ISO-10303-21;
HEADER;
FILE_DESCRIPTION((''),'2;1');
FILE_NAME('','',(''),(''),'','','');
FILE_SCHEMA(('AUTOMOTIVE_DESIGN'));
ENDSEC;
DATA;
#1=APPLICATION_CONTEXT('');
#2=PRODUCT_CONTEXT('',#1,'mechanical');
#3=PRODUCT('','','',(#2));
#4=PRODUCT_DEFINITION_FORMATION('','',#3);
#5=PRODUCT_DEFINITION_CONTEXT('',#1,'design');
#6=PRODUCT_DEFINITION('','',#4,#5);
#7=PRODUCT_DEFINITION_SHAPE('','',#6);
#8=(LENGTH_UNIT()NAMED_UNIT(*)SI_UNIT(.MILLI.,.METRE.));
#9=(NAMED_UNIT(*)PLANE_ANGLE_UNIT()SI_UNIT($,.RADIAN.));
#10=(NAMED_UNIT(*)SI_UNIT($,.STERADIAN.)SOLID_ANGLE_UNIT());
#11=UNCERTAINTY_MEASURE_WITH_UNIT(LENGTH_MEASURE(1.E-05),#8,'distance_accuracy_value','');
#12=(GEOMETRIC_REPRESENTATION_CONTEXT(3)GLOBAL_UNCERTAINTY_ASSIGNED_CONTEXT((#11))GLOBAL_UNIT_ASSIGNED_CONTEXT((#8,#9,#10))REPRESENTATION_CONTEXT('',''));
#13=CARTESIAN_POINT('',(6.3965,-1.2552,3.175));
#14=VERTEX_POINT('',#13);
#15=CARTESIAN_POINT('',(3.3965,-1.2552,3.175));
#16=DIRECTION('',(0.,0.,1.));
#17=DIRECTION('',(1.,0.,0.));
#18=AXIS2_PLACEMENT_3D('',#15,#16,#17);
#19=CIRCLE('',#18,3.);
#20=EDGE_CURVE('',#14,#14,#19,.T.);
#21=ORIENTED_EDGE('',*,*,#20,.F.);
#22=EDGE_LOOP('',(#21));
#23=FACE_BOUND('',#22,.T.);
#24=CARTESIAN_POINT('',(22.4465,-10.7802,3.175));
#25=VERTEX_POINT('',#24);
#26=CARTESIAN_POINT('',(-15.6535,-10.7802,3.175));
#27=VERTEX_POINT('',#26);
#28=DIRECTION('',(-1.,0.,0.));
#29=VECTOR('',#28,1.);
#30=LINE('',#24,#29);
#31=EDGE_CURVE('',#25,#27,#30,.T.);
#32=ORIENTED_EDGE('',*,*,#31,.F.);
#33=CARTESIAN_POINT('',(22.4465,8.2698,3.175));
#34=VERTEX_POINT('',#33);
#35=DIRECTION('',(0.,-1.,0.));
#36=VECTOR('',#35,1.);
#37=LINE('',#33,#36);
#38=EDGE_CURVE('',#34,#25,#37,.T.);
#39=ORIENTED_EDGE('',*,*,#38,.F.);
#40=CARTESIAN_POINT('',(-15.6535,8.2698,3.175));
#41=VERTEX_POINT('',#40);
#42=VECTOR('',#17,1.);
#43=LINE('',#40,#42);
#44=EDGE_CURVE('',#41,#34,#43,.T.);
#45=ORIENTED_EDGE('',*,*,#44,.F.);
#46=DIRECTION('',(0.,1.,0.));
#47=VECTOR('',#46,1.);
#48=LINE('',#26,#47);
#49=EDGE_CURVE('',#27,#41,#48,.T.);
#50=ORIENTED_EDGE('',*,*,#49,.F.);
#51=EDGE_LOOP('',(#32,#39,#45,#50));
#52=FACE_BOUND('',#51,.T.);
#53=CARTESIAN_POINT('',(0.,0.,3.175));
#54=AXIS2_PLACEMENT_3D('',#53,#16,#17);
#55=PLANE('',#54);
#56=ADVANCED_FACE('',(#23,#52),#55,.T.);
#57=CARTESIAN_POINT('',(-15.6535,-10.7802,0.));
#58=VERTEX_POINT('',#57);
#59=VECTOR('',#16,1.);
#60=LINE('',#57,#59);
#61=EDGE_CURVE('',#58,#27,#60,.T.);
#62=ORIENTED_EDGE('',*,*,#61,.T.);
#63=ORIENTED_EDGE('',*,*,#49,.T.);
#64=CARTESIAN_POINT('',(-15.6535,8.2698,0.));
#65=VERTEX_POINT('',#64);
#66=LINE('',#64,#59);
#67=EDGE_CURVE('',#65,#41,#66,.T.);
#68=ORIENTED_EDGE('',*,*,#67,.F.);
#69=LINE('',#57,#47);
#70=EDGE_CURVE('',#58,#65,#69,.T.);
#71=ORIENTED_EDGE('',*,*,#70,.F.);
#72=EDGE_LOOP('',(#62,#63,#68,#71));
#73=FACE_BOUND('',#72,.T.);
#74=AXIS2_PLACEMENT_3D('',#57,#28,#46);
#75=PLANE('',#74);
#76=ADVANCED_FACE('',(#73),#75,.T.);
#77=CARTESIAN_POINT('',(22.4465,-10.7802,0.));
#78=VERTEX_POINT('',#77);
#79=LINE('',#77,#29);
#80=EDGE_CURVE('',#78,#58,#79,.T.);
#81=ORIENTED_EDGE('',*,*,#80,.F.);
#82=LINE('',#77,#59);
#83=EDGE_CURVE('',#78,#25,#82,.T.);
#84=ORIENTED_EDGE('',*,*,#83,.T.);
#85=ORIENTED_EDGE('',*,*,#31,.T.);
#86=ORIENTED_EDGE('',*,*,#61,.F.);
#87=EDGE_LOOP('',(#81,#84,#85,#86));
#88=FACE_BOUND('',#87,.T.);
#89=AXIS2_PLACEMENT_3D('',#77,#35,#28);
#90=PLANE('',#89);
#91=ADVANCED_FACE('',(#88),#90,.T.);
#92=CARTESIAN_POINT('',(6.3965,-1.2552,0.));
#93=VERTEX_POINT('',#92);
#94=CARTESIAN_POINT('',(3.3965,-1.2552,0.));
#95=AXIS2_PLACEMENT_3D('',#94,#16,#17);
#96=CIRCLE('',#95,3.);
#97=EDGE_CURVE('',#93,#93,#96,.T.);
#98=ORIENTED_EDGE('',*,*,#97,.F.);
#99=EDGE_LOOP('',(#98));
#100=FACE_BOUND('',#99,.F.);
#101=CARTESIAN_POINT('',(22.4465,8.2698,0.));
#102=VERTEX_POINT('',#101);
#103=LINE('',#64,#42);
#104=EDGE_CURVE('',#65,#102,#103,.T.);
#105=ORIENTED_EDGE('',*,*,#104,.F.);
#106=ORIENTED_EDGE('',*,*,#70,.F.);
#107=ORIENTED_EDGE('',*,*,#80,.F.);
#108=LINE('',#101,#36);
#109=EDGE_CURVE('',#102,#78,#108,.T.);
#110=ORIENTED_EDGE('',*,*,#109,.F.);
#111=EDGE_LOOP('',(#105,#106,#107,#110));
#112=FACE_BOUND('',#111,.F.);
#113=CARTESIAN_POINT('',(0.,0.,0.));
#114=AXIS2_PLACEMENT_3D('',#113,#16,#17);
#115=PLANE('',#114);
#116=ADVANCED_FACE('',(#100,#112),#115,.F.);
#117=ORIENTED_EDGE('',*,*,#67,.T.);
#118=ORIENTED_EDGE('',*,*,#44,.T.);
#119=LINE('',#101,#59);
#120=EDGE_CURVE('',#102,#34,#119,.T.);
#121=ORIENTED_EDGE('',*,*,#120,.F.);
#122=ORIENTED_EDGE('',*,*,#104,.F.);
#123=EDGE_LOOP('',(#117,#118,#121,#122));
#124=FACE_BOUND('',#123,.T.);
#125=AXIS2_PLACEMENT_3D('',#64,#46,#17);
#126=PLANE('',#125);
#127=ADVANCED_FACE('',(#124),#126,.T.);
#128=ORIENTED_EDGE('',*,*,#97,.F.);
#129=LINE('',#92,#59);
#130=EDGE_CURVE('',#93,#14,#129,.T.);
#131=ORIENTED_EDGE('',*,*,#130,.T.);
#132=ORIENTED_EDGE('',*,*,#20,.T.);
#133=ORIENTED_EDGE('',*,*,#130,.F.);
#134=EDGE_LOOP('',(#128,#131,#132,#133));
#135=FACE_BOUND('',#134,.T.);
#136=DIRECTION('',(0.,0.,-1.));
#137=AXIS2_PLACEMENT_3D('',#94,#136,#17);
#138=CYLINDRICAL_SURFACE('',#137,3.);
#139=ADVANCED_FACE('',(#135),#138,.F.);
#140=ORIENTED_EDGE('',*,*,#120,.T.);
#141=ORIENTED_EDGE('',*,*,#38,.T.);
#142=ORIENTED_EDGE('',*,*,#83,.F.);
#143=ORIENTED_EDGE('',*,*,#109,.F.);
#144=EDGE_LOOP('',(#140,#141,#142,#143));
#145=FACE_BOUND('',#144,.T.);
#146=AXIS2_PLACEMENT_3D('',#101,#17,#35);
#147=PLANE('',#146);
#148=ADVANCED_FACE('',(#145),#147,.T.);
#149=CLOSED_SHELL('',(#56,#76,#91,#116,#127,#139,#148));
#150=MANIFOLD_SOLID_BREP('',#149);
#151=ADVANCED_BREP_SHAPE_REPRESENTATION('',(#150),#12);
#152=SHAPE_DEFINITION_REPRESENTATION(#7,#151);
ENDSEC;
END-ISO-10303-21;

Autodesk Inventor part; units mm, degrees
ref_plane "YZ Plane" through (0, 0, 0) normal (1, 0, 0) x (0, 1, 0)
ref_plane "XZ Plane" through (0, 0, 0) normal (0, 1, 0) x (-1, 0, 0)
ref_plane "XY Plane" through (0, 0, 0) normal (0, 0, 1) x (1, 0, 0)
sketch "Sketch1" plane through (0, 0, 0) normal (0, 0, 1) x (1, 0, 0)
  line L0 (-15.6535, 8.2698) -> (22.4465, 8.2698)
  line L1 (22.4465, 8.2698) -> (22.4465, -10.7802)
  line L2 (22.4465, -10.7802) -> (-15.6535, -10.7802)
  line L3 (-15.6535, -10.7802) -> (-15.6535, 8.2698)
  circle A0 centre (3.3965, -1.2552) radius 3
  point P0 (0, 0)
  dimension "d0" = 38.1
  dimension "d1" = 19.05
  dimension "d4" = 6
extrude "Extrusion1" add sketch "Sketch1" along normal blind 3.175 contours L0 L1 L2 L3 | A0
extrude "Extrusion2" cut sketch "Sketch1" along normal blind 3.175 contours A0
properties part number "CURM_Caterpillar_Tail"
